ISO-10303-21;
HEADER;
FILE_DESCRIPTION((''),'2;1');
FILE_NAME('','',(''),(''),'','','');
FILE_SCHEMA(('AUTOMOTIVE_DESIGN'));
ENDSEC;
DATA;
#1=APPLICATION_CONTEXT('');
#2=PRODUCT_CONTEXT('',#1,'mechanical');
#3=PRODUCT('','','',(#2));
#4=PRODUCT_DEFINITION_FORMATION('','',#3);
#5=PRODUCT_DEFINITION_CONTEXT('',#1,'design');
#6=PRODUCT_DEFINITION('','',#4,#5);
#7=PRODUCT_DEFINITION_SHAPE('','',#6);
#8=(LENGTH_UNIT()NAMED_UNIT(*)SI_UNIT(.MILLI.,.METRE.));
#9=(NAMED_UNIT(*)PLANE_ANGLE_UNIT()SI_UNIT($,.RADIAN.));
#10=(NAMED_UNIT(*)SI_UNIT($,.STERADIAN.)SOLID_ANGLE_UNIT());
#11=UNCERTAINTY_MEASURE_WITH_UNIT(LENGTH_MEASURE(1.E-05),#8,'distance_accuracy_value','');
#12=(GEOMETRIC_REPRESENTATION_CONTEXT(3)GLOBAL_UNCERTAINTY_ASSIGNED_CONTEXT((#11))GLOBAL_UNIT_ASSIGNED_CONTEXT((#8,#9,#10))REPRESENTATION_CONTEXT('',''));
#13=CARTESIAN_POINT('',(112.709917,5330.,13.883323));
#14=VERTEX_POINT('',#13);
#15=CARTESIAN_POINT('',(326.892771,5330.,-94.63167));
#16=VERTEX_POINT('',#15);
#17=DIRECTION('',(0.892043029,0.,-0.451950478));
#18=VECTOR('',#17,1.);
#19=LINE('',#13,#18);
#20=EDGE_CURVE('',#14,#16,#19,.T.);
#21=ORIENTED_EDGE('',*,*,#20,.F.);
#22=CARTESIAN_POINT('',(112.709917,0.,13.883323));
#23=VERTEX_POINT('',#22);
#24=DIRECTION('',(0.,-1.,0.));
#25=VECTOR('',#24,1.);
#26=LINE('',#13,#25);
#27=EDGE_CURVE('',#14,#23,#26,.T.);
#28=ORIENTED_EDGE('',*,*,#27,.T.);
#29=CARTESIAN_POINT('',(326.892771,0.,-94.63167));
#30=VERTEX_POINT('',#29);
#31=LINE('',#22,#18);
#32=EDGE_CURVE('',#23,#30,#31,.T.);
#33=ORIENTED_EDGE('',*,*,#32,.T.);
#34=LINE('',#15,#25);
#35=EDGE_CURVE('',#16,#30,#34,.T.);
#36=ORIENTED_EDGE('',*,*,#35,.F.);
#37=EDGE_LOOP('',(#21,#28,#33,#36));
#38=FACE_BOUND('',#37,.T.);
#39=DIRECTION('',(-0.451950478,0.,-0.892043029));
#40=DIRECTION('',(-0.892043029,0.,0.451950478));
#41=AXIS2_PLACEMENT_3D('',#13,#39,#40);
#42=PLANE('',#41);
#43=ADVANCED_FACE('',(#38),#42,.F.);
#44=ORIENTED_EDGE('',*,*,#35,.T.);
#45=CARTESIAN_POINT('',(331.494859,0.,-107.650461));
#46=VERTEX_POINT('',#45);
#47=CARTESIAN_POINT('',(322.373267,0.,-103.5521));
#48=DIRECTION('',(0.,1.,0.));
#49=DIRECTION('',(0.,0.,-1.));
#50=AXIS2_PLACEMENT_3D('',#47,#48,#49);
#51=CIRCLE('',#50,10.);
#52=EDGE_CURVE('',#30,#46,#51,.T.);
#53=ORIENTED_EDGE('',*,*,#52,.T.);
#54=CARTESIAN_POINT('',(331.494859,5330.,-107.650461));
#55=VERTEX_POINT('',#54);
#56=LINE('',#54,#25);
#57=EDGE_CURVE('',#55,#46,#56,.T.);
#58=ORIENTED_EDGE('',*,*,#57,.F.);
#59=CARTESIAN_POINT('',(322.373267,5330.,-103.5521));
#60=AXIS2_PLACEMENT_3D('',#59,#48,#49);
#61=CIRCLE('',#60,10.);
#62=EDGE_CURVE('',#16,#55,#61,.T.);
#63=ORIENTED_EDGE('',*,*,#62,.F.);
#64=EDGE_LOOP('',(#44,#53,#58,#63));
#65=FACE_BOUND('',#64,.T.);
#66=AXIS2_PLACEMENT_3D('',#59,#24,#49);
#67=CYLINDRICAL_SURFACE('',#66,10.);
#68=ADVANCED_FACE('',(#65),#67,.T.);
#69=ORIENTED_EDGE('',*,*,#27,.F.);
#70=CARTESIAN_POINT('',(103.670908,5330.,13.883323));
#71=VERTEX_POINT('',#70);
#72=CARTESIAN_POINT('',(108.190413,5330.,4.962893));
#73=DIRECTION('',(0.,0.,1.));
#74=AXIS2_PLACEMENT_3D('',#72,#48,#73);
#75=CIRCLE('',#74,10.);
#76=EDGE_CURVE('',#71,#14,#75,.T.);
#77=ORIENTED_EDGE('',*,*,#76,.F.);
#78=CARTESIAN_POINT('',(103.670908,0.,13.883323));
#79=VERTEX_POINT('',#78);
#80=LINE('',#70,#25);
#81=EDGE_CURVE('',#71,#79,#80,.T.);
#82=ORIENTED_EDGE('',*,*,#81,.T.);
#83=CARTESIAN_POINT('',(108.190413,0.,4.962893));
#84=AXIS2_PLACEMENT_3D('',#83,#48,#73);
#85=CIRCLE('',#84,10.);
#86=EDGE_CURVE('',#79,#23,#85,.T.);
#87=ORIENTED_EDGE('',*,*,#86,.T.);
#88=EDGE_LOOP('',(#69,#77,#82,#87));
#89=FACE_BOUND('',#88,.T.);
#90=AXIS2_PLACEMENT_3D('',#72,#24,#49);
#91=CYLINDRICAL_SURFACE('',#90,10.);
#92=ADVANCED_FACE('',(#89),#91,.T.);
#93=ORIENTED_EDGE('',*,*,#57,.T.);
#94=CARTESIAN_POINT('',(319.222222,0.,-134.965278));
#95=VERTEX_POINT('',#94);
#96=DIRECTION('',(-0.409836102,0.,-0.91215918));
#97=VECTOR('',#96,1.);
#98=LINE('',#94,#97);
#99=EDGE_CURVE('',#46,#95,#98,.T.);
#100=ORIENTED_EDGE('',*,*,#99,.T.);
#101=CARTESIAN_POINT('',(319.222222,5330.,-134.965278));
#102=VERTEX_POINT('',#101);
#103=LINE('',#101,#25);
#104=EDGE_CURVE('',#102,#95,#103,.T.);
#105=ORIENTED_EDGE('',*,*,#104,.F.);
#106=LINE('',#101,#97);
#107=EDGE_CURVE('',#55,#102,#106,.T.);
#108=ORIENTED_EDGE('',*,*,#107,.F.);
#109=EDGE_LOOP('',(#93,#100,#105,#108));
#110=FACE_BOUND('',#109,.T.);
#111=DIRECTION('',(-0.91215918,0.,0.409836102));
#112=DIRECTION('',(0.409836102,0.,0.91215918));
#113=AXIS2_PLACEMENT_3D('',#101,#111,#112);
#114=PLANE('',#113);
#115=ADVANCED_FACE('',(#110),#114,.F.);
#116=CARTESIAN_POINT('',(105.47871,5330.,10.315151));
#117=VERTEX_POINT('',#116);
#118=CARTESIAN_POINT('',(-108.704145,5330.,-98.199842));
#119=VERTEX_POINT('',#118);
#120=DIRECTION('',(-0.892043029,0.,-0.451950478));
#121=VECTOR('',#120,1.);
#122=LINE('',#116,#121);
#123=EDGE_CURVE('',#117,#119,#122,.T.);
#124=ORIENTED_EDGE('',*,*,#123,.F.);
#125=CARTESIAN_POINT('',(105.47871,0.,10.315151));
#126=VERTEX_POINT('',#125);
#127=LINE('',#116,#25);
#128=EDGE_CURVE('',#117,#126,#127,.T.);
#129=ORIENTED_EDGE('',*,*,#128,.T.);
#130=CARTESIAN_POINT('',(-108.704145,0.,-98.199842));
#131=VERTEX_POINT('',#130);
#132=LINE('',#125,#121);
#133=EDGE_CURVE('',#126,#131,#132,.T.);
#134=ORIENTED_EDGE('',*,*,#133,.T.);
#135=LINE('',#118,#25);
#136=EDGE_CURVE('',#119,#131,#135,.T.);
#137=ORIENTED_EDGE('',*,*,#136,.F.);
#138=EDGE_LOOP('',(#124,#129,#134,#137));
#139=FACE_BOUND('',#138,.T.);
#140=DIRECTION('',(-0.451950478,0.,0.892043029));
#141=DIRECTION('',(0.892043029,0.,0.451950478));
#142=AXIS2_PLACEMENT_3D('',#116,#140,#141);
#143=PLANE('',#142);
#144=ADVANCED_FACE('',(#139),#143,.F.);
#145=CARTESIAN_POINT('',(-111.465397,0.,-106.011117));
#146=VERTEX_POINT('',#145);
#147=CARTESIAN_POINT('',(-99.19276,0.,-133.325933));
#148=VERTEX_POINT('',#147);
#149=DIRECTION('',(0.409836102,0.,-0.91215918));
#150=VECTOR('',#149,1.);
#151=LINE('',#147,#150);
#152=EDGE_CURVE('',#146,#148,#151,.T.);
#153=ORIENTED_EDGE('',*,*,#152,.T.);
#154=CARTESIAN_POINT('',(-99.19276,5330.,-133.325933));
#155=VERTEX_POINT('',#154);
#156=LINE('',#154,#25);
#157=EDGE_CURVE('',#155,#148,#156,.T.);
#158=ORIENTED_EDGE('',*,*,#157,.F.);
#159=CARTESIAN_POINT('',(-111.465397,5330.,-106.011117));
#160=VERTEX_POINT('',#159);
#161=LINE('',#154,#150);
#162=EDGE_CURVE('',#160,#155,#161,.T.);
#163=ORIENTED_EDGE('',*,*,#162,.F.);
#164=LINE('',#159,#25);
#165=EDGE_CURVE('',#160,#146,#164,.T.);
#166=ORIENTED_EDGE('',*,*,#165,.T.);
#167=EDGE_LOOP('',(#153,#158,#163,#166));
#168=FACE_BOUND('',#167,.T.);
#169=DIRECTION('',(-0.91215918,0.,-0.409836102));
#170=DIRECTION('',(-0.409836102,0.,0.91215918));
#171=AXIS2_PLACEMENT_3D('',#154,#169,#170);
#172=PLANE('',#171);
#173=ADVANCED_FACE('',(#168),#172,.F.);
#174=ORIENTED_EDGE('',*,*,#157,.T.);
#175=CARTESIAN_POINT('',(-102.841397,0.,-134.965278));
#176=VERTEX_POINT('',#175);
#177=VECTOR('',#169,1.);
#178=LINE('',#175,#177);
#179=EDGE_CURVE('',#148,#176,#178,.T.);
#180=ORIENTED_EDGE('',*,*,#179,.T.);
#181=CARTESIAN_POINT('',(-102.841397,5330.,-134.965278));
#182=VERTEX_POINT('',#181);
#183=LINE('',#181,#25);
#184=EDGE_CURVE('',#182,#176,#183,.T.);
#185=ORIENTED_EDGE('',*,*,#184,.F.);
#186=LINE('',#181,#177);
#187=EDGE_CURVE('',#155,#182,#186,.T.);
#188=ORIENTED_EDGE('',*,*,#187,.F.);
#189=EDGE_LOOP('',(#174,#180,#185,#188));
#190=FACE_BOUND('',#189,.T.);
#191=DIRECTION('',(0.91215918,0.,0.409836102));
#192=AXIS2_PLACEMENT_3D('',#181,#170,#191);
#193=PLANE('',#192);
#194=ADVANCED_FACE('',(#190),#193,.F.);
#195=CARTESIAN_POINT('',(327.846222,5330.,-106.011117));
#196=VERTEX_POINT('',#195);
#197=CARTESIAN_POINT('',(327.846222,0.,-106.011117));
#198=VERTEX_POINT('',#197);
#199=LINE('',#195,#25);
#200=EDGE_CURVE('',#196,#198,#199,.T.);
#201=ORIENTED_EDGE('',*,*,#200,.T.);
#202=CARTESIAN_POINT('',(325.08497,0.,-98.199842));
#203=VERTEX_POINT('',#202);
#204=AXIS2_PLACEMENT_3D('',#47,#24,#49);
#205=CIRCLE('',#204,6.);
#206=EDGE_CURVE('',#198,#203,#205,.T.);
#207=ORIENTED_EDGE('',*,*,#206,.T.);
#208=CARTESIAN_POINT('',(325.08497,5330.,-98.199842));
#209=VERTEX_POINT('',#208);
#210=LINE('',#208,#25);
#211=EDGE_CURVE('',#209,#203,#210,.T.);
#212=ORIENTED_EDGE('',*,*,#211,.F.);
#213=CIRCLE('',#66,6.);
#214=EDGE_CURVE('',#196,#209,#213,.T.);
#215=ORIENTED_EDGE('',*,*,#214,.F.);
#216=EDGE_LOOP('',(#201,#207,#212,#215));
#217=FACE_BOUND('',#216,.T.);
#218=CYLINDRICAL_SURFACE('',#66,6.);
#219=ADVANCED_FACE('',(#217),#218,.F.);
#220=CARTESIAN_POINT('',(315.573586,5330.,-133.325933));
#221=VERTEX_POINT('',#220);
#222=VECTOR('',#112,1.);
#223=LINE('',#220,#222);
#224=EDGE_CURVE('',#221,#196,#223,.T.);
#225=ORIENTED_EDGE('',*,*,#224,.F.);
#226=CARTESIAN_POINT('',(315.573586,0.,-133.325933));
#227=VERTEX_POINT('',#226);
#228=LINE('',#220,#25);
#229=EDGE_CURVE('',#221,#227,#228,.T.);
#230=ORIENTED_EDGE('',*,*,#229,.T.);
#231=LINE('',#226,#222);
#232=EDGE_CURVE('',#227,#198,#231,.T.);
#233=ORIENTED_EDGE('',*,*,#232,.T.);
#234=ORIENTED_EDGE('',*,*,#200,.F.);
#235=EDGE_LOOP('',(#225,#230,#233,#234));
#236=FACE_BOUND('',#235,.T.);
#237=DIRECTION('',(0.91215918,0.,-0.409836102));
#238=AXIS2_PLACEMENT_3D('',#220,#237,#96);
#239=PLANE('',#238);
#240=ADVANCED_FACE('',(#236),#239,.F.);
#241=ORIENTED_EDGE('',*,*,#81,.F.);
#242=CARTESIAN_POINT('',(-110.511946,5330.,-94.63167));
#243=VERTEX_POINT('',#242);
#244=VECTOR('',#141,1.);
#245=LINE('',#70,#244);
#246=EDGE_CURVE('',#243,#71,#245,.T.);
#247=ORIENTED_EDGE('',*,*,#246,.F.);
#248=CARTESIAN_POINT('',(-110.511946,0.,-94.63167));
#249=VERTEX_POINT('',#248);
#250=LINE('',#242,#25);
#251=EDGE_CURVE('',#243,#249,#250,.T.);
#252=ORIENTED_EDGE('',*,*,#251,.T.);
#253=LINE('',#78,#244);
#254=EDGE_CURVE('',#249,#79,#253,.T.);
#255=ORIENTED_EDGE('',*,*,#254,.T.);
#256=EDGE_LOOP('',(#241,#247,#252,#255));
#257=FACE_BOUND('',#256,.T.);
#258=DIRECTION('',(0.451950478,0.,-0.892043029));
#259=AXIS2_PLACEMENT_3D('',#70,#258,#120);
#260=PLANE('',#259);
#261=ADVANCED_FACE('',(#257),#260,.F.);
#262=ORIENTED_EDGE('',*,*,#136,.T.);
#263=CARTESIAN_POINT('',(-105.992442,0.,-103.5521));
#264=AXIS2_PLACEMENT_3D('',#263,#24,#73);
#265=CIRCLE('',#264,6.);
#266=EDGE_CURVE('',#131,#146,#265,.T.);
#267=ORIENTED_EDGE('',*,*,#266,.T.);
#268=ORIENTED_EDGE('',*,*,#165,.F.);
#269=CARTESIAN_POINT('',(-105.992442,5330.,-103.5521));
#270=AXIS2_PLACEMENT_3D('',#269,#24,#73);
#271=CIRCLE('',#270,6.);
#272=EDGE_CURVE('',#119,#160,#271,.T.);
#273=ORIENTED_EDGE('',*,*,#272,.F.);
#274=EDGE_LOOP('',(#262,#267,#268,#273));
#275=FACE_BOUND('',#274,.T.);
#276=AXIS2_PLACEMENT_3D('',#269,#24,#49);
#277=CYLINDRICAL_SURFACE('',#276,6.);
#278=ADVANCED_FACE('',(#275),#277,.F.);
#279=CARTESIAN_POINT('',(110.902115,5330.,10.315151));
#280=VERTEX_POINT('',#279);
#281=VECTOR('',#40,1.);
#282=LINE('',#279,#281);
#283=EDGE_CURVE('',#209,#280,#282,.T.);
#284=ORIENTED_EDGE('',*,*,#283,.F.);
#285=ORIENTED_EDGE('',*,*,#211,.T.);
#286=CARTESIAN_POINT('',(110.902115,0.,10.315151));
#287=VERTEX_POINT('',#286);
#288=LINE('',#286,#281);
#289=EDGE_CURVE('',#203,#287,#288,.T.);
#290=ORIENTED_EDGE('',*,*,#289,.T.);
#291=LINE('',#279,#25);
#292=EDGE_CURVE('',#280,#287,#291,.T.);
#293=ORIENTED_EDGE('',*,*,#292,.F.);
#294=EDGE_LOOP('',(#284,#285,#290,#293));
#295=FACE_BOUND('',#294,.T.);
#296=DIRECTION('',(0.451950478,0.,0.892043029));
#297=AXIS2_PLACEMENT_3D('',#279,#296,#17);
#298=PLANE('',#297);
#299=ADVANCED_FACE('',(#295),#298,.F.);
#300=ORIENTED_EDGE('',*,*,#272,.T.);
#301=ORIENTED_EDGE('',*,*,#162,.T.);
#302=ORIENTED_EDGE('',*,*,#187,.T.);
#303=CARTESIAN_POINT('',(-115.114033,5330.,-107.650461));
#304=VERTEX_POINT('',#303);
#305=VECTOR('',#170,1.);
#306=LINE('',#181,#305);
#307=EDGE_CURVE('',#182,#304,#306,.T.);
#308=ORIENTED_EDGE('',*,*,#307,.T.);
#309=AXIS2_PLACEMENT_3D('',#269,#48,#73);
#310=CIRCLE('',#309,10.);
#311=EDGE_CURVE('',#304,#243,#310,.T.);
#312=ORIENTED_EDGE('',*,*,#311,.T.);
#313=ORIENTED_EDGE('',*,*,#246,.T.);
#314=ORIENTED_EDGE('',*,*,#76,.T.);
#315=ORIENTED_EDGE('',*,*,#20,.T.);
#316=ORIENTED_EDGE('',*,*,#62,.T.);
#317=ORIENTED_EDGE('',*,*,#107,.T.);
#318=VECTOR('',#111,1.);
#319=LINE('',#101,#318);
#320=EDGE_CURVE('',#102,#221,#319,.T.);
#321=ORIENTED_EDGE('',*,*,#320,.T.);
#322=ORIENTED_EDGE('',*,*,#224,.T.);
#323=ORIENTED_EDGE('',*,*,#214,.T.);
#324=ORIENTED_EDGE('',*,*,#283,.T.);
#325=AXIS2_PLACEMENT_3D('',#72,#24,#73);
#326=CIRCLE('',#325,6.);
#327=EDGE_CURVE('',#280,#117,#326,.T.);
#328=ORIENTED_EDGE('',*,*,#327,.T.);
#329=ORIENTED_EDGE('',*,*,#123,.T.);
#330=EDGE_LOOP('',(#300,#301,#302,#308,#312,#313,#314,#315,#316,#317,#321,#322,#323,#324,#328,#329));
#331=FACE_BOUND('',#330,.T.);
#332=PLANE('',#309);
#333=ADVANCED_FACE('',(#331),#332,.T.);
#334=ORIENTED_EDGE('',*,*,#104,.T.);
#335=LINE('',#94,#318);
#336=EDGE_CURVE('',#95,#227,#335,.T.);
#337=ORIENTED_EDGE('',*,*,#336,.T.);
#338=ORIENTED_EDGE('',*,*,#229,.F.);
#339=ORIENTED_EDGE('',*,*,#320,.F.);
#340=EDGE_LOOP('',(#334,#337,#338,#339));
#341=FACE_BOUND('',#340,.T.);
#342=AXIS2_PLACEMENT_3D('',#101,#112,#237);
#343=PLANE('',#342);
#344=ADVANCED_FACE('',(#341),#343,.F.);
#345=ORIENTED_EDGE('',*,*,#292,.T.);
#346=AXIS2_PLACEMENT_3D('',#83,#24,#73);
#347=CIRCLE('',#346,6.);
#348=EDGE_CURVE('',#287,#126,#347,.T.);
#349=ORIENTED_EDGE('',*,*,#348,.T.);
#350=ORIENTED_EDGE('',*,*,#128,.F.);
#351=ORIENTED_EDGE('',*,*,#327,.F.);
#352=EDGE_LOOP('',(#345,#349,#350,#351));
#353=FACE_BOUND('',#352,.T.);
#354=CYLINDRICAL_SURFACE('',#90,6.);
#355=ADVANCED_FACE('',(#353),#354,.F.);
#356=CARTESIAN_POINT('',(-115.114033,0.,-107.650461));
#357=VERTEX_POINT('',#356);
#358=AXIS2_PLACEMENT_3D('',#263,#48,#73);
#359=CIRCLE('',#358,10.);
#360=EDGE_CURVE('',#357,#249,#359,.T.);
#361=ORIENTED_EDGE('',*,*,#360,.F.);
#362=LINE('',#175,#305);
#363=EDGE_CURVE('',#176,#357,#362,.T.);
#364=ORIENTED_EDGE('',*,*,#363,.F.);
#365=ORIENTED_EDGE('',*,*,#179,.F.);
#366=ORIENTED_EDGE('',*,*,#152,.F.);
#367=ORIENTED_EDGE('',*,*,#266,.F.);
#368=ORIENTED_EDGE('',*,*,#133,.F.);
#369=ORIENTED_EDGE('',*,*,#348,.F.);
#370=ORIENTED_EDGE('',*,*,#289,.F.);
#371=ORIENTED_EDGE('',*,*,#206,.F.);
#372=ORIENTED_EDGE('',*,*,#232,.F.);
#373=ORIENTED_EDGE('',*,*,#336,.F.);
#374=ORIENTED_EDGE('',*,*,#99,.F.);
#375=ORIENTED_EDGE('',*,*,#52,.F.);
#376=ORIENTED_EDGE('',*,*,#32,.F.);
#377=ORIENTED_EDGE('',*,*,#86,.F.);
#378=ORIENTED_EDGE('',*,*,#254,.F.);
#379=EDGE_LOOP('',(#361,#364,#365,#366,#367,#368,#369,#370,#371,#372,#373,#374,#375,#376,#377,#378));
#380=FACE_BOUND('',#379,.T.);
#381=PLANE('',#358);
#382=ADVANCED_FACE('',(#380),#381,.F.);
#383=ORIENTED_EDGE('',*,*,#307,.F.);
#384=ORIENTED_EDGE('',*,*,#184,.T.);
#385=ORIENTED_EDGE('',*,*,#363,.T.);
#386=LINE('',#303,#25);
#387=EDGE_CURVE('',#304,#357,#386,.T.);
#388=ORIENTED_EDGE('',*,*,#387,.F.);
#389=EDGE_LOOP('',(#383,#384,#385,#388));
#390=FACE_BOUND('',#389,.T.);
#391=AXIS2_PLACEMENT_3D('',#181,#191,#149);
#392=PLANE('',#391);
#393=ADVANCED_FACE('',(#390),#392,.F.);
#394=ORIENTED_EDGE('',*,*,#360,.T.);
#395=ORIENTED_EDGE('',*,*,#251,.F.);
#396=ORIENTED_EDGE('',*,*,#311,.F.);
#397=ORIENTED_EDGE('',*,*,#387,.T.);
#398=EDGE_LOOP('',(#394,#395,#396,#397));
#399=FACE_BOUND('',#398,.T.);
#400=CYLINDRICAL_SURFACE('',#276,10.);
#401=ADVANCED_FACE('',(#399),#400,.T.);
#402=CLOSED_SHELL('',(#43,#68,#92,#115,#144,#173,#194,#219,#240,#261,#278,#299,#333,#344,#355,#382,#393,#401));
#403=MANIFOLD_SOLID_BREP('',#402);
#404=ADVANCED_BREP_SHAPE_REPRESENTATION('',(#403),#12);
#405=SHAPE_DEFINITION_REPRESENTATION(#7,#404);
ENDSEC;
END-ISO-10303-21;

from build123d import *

# Parameters (mm, degrees)
BOSS_EXTRUDE2_DEPTH = 5330


with BuildPart() as part:
    # Sketch1 → Boss-Extrude2 (new body)
    with BuildSketch(Plane(origin=(0, 0, 0), x_dir=(1, 0, 0), z_dir=(0, 1, 0))):
        with BuildLine():
            Line((319.222222222, 134.965277778), (331.494858512, 107.65046142))
            ThreePointArc((331.494858512, 107.65046142), (331.801527991, 100.219250383), (326.892771492, 94.631670113))
            Line((326.892771492, 94.631670113), (112.709917293, -13.883323219))
            ThreePointArc((112.709917293, -13.883323219), (108.190412513, -14.962892929), (103.670907733, -13.883323219))
            Line((103.670907733, -13.883323219), (-110.511946465, 94.631670113))
            ThreePointArc((-110.511946465, 94.631670113), (-115.420702964, 100.219250383), (-115.114033485, 107.65046142))
            Line((-115.114033485, 107.65046142), (-102.841397196, 134.965277778))
            Line((-102.841397196, 134.965277778), (-99.192760475, 133.325933371))
            Line((-99.192760475, 133.325933371), (-111.465396765, 106.011117013))
            ThreePointArc((-111.465396765, 106.011117013), (-111.649398452, 101.552390391), (-108.704144553, 98.199842229))
            Line((-108.704144553, 98.199842229), (105.478709645, -10.315151103))
            ThreePointArc((105.478709645, -10.315151103), (108.190412513, -10.962892929), (110.902115381, -10.315151103))
            Line((110.902115381, -10.315151103), (325.08496958, 98.199842229))
            ThreePointArc((325.08496958, 98.199842229), (328.030223479, 101.552390391), (327.846221792, 106.011117013))
            Line((327.846221792, 106.011117013), (315.573585502, 133.325933371))
            Line((315.573585502, 133.325933371), (319.222222222, 134.965277778))
        make_face()
    extrude(amount=BOSS_EXTRUDE2_DEPTH)


solid = part.part
